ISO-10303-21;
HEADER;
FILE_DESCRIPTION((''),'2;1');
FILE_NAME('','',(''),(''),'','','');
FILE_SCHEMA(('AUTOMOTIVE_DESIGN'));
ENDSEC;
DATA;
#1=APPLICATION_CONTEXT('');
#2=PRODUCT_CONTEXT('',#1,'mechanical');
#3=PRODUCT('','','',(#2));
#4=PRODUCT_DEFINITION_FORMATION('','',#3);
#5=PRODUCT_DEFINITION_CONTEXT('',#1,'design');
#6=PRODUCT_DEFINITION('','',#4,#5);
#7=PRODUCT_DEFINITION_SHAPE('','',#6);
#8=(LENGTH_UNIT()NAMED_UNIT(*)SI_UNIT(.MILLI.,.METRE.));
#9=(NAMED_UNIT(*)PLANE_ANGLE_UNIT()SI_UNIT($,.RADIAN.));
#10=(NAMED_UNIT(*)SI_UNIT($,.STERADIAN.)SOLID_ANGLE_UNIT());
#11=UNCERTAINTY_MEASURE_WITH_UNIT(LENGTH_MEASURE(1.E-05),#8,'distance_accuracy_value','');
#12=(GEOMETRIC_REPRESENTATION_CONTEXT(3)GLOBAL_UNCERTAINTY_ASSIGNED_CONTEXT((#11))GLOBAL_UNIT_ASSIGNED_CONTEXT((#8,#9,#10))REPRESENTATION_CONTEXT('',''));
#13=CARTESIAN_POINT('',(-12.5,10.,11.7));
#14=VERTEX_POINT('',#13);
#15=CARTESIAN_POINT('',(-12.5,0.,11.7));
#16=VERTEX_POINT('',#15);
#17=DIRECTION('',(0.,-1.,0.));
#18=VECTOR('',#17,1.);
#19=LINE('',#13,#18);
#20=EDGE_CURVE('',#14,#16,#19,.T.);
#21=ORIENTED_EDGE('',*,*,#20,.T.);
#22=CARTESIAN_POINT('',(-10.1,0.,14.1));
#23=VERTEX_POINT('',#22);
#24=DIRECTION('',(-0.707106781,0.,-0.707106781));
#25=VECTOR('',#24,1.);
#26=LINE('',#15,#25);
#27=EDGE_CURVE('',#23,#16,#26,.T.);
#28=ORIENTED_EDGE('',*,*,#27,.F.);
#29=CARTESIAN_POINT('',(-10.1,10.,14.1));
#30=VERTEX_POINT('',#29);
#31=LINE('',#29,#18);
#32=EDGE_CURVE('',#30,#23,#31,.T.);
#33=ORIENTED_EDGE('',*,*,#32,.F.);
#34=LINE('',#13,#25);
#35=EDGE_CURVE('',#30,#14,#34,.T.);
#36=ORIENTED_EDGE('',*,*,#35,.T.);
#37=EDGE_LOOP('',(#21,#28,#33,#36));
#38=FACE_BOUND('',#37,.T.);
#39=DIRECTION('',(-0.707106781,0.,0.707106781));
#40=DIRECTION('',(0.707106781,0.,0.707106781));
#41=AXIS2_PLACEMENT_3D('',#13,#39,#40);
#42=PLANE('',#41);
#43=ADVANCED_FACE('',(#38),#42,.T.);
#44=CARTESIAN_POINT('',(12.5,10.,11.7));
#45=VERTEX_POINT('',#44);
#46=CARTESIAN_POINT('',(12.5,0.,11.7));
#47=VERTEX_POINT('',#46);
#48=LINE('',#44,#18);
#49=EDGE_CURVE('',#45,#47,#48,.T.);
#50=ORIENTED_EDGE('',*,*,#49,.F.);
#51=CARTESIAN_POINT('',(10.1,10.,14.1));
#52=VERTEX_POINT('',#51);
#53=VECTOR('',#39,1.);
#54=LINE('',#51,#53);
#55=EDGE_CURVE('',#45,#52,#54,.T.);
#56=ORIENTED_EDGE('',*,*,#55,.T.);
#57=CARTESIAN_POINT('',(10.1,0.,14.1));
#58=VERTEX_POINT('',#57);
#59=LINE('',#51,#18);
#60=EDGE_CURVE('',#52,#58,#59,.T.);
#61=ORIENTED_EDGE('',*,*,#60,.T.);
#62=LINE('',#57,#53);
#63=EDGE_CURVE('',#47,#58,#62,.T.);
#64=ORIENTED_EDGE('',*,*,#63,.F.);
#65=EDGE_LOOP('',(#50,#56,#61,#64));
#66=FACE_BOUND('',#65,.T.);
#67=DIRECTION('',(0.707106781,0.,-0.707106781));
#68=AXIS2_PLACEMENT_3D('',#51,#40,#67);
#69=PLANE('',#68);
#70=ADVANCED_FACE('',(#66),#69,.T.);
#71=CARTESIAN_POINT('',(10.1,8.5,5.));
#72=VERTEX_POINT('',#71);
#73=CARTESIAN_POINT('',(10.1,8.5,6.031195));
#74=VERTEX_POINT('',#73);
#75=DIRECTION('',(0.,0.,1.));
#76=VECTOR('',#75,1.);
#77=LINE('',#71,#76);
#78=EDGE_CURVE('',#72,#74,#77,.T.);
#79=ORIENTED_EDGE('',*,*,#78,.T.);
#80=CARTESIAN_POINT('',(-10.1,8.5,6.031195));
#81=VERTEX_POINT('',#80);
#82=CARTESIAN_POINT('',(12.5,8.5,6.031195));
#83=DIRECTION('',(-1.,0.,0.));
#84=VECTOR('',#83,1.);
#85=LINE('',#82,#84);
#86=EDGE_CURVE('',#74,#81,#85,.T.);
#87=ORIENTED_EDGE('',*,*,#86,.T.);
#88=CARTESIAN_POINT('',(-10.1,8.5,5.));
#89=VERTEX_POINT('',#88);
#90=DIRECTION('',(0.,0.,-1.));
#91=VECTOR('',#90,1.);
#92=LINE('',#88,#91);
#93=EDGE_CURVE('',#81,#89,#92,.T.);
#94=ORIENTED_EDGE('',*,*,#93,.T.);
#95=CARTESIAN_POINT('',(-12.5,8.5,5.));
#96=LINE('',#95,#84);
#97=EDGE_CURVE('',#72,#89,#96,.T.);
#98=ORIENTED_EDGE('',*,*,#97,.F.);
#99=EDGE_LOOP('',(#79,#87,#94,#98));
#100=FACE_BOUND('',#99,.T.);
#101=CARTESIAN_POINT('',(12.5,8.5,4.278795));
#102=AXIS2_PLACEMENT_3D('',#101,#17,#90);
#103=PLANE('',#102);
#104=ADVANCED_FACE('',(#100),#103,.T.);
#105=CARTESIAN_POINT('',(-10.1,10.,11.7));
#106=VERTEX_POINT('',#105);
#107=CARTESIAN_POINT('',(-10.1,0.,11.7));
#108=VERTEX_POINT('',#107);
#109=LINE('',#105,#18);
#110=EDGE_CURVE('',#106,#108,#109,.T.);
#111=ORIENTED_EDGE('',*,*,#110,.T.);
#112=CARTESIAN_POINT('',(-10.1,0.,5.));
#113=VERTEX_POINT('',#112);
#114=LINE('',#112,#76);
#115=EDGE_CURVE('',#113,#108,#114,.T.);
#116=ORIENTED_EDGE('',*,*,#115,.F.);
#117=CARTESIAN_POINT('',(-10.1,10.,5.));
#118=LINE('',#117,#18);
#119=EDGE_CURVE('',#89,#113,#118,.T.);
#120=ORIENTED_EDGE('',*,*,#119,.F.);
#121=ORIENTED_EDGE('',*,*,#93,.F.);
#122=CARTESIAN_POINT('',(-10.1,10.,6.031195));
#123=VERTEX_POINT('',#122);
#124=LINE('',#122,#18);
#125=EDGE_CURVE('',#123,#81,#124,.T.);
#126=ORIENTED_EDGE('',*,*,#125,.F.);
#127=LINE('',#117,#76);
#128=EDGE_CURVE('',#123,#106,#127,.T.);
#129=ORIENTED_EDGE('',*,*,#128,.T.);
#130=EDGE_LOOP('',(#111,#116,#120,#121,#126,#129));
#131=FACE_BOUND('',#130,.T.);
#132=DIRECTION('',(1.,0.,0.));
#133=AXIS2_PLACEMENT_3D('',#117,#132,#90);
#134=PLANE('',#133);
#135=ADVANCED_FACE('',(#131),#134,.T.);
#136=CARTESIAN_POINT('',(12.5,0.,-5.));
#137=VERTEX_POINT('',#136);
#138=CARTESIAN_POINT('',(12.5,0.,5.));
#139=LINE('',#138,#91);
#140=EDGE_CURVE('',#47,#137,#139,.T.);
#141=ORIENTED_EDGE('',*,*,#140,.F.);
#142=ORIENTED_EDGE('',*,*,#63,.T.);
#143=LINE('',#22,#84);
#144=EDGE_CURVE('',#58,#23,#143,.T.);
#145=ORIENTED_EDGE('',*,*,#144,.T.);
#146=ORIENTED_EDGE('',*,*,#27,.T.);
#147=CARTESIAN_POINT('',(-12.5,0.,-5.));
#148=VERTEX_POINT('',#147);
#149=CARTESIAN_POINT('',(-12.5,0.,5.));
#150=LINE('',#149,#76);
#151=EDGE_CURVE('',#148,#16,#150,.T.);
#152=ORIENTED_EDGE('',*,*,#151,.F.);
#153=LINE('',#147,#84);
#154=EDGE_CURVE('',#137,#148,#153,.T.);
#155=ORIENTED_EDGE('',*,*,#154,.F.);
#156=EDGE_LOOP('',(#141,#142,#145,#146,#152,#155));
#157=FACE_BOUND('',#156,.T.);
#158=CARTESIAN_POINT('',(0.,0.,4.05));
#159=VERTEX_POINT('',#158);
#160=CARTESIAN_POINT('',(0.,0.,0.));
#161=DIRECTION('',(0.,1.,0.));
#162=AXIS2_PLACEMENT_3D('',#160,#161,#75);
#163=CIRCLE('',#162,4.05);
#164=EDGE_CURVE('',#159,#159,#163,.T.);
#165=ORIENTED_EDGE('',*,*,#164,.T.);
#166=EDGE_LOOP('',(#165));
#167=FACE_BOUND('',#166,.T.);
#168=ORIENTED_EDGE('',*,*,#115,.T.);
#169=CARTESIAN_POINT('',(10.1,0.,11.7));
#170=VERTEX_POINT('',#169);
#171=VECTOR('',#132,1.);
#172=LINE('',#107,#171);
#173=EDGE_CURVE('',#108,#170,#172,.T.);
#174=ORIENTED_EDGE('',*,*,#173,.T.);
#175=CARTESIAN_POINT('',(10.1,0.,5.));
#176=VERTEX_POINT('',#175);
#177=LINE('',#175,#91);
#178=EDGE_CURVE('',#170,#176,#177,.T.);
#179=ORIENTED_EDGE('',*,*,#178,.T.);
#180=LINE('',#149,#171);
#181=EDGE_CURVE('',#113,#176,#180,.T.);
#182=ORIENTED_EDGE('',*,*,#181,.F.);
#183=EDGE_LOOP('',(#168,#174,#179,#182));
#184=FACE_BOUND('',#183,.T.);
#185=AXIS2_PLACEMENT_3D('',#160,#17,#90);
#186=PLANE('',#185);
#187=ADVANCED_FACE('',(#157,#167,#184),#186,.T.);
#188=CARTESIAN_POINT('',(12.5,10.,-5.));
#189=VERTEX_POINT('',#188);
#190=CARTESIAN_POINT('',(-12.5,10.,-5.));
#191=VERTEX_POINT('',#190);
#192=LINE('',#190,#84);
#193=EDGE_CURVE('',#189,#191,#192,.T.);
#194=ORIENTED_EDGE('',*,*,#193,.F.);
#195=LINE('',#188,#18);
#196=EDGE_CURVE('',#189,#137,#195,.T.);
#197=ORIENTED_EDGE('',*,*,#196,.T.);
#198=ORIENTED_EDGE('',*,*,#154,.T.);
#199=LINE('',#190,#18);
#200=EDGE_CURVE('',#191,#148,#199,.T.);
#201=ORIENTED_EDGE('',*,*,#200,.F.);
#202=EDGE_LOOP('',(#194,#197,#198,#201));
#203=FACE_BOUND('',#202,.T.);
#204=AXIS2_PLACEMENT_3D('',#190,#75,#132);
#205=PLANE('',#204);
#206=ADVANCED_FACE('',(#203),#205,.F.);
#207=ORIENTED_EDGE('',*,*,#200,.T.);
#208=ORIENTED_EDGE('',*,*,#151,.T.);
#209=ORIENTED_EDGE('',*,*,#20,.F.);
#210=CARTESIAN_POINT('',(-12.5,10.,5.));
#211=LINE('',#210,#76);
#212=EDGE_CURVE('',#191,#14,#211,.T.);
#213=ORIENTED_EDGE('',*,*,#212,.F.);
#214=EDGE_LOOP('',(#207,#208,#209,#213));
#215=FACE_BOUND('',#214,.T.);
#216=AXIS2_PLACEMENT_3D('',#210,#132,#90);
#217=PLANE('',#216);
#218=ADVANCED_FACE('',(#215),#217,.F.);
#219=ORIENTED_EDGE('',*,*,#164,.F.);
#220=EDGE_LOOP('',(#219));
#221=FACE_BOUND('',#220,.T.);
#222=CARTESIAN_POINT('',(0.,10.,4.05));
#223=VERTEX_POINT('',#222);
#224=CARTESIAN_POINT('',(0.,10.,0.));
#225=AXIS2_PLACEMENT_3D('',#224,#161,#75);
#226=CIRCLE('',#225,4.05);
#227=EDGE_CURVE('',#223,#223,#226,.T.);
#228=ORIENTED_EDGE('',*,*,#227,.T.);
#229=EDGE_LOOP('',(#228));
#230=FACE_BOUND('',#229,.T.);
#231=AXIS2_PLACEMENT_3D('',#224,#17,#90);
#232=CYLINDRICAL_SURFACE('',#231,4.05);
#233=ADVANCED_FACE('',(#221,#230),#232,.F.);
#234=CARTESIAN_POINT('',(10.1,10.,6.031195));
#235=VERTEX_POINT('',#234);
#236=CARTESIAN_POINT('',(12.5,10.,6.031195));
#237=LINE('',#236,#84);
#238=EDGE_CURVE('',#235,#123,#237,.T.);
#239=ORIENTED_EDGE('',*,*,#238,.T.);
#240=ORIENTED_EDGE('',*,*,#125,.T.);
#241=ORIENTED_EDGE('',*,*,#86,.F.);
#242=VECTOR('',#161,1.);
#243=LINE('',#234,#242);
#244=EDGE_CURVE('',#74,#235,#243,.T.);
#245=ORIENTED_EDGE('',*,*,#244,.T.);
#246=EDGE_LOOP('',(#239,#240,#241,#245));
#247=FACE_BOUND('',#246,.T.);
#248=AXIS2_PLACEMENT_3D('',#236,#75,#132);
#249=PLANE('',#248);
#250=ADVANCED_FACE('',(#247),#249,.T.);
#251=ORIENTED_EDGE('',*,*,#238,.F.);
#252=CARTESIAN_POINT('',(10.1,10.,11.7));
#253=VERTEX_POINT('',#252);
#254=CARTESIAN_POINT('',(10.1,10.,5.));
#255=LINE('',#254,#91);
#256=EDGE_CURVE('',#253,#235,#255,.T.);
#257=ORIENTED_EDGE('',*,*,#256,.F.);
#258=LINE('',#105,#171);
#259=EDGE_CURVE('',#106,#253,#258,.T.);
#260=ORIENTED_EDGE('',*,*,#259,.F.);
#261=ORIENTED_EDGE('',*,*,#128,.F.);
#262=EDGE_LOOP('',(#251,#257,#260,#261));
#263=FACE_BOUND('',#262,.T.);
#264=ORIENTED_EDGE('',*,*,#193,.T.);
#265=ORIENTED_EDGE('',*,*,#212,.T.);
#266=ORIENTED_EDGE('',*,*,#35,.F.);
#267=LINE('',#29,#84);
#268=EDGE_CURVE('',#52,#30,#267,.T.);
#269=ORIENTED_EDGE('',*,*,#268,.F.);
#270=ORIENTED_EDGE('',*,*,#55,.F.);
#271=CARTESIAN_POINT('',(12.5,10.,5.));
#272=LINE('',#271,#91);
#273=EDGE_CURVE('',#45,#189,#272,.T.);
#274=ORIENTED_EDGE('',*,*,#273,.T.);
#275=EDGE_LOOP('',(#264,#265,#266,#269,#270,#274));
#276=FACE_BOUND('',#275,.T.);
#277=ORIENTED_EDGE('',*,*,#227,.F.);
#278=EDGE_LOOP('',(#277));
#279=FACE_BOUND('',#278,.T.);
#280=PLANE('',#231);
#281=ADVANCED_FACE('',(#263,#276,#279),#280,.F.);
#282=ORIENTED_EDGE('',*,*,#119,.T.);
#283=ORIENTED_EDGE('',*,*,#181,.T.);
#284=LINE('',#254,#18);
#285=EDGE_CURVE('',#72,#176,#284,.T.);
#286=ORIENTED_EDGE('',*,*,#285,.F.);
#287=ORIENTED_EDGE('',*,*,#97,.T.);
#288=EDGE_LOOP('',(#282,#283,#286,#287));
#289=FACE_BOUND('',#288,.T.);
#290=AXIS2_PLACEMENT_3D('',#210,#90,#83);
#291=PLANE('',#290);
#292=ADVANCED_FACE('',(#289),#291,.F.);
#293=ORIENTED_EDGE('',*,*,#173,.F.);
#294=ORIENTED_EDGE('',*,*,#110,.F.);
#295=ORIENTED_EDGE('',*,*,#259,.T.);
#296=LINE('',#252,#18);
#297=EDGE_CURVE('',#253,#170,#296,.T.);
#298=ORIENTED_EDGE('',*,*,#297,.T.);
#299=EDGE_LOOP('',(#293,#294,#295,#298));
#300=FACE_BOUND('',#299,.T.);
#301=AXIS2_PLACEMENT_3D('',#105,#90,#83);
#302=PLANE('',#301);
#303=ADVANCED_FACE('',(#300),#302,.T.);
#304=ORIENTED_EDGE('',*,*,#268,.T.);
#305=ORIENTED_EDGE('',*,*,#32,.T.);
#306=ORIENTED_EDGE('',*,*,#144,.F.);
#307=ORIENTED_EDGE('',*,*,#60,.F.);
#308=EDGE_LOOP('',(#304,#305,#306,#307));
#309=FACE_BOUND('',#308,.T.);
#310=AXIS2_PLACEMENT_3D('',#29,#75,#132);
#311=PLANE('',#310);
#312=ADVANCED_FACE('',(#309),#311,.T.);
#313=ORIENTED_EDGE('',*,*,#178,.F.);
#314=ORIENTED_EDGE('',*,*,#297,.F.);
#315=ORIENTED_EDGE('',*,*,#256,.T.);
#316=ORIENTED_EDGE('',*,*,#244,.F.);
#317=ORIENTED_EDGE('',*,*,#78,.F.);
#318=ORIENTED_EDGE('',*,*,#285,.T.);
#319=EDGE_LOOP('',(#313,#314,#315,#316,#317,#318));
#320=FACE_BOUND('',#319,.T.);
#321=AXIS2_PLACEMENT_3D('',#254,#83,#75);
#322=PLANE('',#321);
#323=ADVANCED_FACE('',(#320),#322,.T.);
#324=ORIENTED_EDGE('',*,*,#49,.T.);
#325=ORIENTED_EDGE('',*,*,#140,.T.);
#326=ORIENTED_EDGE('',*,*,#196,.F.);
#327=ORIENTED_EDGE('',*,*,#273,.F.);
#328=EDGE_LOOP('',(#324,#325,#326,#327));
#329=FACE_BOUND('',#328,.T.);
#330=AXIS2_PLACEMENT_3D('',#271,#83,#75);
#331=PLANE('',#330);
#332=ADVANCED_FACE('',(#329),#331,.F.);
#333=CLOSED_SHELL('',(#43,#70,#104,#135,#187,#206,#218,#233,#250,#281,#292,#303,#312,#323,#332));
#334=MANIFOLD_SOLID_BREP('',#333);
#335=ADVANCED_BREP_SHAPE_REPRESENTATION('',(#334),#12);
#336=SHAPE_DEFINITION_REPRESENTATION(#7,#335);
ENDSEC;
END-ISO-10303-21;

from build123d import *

# Parameters (mm, degrees)
ESBO_O1_W                = 25
ESBO_O1_H                = 10
ESBO_O1_R                = 4.05
RESSALTO_EXTRUS_O1_DEPTH = 10
RESSALTO_EXTRUS_O2_DEPTH = 10
RESSALTO_EXTRUS_O3_REACH = 32.394
ESBO_O3_W                = 1.752399307
ESBO_O3_H                = 1.5


with BuildPart() as part:
    # Esboço1 → Ressalto-extrusão1 (new body)
    with BuildSketch(Plane(origin=(0, 0, 0), x_dir=(1, 0, 0), z_dir=(0, 1, 0))):
        Rectangle(ESBO_O1_W, ESBO_O1_H)
        with Locations(Location((0, 0, 0), (0, 0, 270))):
            Circle(ESBO_O1_R, mode=Mode.SUBTRACT)
    extrude(amount=RESSALTO_EXTRUS_O1_DEPTH)

    # Esboço2 → Ressalto-extrusão2 (add)
    with BuildSketch(Plane.XZ):
        Polygon((-12.5, 5), (-12.5, 11.7), (-10.1, 14.1), (10.1, 14.1), (12.5, 11.7), (12.5, 5), (10.1, 5), (10.1, 11.7), (-10.1, 11.7), (-10.1, 5), align=None)
    extrude(amount=-RESSALTO_EXTRUS_O2_DEPTH)

    # Esboço3 → Ressalto-extrusão3 (add, up to next)
    with BuildSketch(Plane.ZY.offset(12.5), mode=Mode.PRIVATE) as ressalto_extrus_o3_sk1:
        with Locations((5.154994999, 9.25)):
            Rectangle(ESBO_O3_W, ESBO_O3_H)
    ressalto_extrus_o3_tool1 = extrude(ressalto_extrus_o3_sk1.sketch, amount=-RESSALTO_EXTRUS_O3_REACH, mode=Mode.PRIVATE) - part.part
    add(ressalto_extrus_o3_tool1.solids().sort_by_distance((-12.5, 9.25, 5.154995))[0])


solid = part.part
